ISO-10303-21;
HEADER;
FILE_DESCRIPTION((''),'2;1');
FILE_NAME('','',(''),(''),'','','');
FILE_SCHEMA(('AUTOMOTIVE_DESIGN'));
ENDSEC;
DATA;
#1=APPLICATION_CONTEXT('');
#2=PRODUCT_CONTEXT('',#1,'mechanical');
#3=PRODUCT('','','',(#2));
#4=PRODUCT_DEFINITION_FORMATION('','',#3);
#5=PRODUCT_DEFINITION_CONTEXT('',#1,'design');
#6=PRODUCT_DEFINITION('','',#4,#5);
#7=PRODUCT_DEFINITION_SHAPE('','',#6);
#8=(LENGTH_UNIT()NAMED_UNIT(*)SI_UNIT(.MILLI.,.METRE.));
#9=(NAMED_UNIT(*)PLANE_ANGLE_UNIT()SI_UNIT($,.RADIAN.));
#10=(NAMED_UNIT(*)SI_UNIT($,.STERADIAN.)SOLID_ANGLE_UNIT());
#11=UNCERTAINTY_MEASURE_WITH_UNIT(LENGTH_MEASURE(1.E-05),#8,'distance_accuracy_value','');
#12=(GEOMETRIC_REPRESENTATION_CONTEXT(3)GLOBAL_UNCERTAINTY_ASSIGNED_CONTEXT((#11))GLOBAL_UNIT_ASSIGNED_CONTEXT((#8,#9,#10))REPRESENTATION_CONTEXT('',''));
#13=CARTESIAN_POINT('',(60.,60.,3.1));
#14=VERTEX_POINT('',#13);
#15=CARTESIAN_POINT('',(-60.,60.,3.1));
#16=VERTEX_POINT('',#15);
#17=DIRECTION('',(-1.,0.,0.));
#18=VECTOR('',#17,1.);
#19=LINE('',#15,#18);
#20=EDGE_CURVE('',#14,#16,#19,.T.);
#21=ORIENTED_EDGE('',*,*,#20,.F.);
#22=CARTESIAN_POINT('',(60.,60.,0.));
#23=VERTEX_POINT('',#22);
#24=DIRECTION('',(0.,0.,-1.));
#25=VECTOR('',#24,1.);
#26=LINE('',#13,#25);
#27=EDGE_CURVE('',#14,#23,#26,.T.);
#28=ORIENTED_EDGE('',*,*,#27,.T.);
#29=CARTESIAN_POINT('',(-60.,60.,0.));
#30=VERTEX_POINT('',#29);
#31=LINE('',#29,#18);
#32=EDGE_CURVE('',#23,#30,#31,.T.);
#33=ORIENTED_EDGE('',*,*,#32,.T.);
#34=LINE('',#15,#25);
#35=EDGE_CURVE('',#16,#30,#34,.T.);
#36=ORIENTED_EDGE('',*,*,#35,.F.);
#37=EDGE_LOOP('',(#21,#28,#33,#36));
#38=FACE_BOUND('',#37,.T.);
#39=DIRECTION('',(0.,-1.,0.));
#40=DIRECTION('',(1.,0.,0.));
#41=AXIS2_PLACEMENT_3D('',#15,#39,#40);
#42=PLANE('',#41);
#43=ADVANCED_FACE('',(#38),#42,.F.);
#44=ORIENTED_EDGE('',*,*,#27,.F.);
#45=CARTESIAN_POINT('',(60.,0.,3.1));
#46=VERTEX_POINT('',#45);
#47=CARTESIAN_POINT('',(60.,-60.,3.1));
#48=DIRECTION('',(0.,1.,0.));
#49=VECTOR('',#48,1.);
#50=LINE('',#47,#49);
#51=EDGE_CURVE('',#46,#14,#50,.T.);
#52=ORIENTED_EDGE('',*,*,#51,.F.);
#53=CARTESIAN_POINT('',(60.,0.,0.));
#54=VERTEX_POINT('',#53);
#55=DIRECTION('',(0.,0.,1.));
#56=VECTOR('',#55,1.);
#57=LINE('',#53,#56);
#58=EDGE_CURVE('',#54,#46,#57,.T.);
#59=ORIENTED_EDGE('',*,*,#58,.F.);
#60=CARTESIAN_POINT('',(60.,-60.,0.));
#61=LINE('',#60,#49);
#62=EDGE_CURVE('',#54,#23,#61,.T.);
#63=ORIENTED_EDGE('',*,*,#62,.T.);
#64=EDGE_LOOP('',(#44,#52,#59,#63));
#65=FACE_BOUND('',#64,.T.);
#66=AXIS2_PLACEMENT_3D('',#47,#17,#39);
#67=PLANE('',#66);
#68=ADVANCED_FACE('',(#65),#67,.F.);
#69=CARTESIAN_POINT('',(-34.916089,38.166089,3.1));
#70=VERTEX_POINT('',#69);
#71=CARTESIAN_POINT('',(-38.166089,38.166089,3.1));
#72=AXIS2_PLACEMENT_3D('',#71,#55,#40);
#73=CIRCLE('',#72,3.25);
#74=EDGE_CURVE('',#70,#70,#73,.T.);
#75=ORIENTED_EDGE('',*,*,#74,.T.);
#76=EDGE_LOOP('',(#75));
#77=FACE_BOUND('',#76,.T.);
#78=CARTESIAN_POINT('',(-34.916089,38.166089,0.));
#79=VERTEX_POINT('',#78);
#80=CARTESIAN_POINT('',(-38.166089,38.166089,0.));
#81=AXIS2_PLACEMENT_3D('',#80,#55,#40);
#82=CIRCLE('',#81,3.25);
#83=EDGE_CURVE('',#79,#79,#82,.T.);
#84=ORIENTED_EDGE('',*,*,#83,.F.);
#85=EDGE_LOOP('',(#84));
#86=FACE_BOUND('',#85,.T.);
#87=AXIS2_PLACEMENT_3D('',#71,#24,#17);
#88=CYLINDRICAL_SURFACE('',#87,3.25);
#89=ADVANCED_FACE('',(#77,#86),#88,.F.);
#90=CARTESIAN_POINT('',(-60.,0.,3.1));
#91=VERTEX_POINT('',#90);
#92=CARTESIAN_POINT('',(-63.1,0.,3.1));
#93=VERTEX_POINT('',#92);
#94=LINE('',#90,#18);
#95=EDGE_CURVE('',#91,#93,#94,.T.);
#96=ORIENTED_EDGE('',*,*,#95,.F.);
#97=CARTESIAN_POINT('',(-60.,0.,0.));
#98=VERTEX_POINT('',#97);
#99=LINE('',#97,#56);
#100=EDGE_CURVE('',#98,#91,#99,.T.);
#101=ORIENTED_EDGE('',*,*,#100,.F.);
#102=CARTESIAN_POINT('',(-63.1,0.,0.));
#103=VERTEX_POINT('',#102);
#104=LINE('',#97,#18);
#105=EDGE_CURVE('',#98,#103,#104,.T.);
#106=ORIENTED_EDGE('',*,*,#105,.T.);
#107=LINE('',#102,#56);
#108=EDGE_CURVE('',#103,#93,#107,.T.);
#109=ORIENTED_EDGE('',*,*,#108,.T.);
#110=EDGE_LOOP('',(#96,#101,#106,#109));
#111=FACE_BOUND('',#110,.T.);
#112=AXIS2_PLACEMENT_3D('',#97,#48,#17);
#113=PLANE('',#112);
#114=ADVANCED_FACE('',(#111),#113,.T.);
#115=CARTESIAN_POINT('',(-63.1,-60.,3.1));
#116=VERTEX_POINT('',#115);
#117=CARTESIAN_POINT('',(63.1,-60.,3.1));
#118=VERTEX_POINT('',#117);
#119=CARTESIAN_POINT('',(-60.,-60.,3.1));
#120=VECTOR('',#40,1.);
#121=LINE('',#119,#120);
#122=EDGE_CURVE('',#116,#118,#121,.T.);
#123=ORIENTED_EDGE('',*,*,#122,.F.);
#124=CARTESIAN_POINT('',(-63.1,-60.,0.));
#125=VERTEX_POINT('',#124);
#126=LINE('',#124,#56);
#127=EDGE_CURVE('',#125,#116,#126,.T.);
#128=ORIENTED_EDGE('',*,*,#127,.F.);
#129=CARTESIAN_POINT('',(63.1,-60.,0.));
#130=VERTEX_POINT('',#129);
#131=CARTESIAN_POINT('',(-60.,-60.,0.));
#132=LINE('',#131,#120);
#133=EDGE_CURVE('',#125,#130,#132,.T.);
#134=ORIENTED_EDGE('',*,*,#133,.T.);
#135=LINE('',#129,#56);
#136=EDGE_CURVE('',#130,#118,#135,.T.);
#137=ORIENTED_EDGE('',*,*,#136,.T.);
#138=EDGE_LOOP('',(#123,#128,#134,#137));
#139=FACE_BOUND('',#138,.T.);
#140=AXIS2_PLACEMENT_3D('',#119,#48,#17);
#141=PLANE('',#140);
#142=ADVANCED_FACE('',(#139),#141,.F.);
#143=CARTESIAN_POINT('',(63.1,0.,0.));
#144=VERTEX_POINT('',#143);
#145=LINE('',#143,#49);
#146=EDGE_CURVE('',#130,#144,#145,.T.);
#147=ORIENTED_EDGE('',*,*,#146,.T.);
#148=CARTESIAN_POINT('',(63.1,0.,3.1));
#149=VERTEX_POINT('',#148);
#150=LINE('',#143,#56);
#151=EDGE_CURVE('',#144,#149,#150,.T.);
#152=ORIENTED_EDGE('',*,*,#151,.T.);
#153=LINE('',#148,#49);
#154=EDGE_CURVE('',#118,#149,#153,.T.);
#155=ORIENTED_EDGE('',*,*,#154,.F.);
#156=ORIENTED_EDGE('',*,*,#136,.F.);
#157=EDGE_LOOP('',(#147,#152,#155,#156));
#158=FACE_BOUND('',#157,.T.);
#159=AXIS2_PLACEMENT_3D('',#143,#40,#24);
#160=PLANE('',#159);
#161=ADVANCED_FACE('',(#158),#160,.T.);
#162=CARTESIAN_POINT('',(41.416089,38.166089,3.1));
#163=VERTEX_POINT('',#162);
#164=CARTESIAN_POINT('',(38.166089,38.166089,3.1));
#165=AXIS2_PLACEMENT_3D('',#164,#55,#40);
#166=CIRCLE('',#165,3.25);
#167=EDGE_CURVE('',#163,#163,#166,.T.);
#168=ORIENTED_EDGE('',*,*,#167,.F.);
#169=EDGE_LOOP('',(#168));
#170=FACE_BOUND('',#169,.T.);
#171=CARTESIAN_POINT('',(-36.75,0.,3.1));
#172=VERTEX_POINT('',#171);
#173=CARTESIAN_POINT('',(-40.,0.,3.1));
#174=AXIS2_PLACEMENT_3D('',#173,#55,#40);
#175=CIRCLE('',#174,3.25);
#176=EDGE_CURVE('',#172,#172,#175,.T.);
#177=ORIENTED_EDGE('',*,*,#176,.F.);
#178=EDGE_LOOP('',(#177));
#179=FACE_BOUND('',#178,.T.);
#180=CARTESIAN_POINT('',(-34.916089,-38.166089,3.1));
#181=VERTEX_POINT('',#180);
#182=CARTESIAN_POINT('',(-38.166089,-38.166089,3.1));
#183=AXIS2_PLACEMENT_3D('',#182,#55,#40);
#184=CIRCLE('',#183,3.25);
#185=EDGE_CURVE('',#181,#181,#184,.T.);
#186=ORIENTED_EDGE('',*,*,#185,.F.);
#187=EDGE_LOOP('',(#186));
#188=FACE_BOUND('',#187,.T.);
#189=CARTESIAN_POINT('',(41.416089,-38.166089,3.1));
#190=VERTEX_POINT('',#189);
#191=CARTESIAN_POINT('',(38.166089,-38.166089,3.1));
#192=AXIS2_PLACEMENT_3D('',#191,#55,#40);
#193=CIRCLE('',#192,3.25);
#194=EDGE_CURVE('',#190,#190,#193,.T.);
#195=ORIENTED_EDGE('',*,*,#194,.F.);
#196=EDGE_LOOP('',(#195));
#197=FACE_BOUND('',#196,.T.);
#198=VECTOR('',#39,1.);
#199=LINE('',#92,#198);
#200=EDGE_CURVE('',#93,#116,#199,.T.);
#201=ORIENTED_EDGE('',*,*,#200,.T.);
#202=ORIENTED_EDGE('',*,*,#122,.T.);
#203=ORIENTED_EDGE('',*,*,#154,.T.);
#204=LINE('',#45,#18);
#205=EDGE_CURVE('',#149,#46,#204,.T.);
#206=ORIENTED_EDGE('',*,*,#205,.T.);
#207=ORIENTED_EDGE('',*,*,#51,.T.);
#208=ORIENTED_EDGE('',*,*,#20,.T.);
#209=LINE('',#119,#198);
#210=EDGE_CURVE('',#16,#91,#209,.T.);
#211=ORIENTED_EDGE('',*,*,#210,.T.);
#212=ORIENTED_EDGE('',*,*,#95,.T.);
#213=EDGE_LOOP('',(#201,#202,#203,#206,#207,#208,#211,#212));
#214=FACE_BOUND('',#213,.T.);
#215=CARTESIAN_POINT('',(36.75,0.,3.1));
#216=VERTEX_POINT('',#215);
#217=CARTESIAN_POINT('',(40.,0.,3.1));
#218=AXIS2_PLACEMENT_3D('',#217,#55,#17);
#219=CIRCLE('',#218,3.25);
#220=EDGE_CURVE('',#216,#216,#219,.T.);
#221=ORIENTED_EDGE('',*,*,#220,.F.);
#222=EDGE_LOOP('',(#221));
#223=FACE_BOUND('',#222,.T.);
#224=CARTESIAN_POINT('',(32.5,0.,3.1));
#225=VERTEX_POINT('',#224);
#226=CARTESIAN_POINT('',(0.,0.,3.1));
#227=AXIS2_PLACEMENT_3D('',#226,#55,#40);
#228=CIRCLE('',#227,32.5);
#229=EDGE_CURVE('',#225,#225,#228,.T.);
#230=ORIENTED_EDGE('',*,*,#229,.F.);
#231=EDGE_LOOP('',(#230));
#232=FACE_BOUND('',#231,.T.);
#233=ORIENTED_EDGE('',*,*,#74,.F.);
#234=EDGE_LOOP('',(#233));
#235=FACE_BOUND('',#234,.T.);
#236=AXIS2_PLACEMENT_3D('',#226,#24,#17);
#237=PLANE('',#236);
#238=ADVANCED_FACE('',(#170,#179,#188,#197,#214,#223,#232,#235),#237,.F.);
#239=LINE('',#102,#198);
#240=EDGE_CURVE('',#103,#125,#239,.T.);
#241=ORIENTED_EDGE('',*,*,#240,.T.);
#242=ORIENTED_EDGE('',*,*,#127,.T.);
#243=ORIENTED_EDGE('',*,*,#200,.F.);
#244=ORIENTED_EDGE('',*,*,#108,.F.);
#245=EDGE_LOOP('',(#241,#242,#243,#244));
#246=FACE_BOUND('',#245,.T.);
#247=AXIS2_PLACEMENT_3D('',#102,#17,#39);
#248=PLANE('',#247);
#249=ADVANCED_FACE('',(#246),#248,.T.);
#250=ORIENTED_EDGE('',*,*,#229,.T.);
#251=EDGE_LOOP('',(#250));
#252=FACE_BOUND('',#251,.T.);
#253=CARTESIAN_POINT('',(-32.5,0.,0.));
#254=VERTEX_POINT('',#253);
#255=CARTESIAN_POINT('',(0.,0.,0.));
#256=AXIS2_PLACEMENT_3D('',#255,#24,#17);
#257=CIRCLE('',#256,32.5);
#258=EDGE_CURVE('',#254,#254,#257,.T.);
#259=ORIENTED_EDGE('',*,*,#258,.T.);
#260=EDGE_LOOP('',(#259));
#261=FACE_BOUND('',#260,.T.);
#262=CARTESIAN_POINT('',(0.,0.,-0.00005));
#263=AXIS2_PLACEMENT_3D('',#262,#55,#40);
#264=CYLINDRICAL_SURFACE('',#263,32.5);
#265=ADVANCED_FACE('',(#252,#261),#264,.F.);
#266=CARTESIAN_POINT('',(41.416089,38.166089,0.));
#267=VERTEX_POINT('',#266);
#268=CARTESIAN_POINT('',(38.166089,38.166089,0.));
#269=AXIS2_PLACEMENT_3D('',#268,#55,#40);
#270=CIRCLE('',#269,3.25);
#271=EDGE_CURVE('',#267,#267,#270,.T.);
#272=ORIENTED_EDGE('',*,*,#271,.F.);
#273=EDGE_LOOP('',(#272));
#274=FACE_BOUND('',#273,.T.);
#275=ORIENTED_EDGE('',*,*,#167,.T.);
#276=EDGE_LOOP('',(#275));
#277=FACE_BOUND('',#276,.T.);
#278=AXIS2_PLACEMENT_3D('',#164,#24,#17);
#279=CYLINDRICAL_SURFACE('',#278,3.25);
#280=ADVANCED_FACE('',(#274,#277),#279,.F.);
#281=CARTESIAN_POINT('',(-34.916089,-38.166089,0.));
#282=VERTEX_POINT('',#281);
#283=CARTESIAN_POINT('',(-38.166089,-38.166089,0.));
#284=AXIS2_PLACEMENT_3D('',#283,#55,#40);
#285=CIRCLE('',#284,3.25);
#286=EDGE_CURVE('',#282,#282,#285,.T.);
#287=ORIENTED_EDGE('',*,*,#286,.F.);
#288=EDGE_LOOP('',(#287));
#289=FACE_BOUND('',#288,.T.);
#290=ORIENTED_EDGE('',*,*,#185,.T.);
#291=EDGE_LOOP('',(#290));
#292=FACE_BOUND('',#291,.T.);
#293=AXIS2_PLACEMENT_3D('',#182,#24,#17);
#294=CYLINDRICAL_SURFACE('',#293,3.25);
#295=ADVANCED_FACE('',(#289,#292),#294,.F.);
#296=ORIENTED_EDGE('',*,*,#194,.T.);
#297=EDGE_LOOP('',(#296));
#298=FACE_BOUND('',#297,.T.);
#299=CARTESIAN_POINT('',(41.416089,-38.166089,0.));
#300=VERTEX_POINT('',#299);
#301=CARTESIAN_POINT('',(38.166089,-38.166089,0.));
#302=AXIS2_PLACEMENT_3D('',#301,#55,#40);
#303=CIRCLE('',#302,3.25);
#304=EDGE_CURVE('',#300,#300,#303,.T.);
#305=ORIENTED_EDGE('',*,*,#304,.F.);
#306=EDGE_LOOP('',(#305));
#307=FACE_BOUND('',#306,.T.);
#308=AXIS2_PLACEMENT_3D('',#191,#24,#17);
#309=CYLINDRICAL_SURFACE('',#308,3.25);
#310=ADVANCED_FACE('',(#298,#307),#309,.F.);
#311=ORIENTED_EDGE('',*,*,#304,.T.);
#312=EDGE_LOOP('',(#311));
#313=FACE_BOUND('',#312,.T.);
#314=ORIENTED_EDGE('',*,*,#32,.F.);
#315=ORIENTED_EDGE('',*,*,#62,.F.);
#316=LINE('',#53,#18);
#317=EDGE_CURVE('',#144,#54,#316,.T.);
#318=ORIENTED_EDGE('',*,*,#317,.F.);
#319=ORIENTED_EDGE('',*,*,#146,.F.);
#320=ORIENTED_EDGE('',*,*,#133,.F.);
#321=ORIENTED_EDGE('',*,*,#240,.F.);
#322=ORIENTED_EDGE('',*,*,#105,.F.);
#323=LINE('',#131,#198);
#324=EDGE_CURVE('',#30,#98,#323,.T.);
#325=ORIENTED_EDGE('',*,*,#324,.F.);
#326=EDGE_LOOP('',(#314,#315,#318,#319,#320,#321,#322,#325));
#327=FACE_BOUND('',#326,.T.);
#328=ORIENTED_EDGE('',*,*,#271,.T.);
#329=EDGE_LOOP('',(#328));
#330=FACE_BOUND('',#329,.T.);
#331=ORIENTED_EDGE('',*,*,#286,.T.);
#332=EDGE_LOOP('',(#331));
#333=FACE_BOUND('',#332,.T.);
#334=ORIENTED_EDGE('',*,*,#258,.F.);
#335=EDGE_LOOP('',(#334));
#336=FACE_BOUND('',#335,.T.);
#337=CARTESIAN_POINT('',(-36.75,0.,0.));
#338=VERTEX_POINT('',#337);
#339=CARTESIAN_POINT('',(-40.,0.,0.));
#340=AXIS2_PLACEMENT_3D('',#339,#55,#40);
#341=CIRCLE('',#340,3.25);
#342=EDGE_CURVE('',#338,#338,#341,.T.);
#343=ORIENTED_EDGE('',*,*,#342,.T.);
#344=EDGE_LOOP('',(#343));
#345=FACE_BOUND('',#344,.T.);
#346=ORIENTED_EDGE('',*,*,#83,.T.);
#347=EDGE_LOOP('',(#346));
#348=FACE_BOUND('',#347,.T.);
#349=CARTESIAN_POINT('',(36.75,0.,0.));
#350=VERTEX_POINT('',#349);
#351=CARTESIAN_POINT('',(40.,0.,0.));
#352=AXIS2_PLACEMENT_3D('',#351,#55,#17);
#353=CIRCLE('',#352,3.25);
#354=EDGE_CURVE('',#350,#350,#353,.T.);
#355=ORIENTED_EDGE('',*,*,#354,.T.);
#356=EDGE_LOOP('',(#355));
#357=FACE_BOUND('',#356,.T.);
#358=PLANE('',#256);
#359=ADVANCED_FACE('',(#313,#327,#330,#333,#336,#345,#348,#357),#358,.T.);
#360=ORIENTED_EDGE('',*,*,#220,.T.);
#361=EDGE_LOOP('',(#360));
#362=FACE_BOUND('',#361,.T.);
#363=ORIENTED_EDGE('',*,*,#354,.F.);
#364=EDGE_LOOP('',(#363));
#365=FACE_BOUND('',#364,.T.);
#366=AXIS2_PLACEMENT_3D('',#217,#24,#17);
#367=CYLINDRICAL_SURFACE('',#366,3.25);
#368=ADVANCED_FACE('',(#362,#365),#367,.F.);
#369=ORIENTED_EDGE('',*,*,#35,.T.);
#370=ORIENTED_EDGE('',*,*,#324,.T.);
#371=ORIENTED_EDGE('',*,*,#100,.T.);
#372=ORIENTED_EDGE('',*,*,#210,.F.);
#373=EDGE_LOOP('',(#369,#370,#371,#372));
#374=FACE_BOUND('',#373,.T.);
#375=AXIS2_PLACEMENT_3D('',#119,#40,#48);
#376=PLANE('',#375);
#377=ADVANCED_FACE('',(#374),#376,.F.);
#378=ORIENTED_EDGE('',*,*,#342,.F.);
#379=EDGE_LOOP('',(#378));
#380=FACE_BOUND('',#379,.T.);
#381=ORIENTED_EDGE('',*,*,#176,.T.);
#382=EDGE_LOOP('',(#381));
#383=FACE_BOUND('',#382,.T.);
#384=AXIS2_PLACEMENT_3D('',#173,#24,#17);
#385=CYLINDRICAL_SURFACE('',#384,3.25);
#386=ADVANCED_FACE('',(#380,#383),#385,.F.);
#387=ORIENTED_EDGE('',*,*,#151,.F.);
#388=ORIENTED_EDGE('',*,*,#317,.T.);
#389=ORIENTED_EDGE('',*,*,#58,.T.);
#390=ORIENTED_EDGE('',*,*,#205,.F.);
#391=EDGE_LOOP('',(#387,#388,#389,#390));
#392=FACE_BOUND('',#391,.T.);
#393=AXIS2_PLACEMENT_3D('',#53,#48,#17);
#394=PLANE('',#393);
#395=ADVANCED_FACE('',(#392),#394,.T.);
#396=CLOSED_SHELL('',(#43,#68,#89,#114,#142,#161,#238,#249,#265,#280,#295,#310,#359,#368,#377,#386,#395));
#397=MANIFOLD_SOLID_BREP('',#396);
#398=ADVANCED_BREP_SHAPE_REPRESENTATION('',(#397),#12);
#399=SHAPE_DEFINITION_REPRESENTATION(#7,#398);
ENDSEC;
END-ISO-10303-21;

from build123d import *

# Parameters (mm, degrees)
SKETCH1_W           = 120
SKETCH1_H           = 120
SKETCH1_R           = 3.25
BOSS_EXTRUDE1_DEPTH = 3.1
SKETCH2_W           = 3.1
SKETCH2_H           = 60
BOSS_EXTRUDE3_DEPTH = 3.1
SKETCH5_R           = 32.5
CUT_EXTRUDE2_DEPTH  = 4.1


with BuildPart() as part:
    # Sketch1 → Boss-Extrude1 (new body)
    with BuildSketch(Plane.XY):
        Rectangle(SKETCH1_W, SKETCH1_H)
        with Locations((-38.166088515, 38.166088515)):
            Circle(SKETCH1_R, mode=Mode.SUBTRACT)
        with Locations((38.166088515, 38.166088515)):
            Circle(SKETCH1_R, mode=Mode.SUBTRACT)
        with Locations((38.166088515, -38.166088515)):
            Circle(SKETCH1_R, mode=Mode.SUBTRACT)
        with Locations((-38.166088515, -38.166088515)):
            Circle(SKETCH1_R, mode=Mode.SUBTRACT)
        with Locations((-40, 0)):
            Circle(SKETCH1_R, mode=Mode.SUBTRACT)
        with Locations((40, 0)):
            Circle(SKETCH1_R, mode=Mode.SUBTRACT)
    extrude(amount=BOSS_EXTRUDE1_DEPTH)

    # Sketch2 → Boss-Extrude3 (add, through all)
    with BuildSketch(Plane.XY.offset(3.1)):
        with Locations((61.55, -30)):
            Rectangle(SKETCH2_W, SKETCH2_H)
        with Locations((-61.55, -30)):
            Rectangle(SKETCH2_W, SKETCH2_H)
    extrude(amount=-BOSS_EXTRUDE3_DEPTH)

    # Sketch5 → Cut-Extrude2 (cut, through all)
    with BuildSketch(Plane.XY.offset(3.1)):
        Circle(SKETCH5_R)
    extrude(amount=-CUT_EXTRUDE2_DEPTH, mode=Mode.SUBTRACT)


solid = part.part
